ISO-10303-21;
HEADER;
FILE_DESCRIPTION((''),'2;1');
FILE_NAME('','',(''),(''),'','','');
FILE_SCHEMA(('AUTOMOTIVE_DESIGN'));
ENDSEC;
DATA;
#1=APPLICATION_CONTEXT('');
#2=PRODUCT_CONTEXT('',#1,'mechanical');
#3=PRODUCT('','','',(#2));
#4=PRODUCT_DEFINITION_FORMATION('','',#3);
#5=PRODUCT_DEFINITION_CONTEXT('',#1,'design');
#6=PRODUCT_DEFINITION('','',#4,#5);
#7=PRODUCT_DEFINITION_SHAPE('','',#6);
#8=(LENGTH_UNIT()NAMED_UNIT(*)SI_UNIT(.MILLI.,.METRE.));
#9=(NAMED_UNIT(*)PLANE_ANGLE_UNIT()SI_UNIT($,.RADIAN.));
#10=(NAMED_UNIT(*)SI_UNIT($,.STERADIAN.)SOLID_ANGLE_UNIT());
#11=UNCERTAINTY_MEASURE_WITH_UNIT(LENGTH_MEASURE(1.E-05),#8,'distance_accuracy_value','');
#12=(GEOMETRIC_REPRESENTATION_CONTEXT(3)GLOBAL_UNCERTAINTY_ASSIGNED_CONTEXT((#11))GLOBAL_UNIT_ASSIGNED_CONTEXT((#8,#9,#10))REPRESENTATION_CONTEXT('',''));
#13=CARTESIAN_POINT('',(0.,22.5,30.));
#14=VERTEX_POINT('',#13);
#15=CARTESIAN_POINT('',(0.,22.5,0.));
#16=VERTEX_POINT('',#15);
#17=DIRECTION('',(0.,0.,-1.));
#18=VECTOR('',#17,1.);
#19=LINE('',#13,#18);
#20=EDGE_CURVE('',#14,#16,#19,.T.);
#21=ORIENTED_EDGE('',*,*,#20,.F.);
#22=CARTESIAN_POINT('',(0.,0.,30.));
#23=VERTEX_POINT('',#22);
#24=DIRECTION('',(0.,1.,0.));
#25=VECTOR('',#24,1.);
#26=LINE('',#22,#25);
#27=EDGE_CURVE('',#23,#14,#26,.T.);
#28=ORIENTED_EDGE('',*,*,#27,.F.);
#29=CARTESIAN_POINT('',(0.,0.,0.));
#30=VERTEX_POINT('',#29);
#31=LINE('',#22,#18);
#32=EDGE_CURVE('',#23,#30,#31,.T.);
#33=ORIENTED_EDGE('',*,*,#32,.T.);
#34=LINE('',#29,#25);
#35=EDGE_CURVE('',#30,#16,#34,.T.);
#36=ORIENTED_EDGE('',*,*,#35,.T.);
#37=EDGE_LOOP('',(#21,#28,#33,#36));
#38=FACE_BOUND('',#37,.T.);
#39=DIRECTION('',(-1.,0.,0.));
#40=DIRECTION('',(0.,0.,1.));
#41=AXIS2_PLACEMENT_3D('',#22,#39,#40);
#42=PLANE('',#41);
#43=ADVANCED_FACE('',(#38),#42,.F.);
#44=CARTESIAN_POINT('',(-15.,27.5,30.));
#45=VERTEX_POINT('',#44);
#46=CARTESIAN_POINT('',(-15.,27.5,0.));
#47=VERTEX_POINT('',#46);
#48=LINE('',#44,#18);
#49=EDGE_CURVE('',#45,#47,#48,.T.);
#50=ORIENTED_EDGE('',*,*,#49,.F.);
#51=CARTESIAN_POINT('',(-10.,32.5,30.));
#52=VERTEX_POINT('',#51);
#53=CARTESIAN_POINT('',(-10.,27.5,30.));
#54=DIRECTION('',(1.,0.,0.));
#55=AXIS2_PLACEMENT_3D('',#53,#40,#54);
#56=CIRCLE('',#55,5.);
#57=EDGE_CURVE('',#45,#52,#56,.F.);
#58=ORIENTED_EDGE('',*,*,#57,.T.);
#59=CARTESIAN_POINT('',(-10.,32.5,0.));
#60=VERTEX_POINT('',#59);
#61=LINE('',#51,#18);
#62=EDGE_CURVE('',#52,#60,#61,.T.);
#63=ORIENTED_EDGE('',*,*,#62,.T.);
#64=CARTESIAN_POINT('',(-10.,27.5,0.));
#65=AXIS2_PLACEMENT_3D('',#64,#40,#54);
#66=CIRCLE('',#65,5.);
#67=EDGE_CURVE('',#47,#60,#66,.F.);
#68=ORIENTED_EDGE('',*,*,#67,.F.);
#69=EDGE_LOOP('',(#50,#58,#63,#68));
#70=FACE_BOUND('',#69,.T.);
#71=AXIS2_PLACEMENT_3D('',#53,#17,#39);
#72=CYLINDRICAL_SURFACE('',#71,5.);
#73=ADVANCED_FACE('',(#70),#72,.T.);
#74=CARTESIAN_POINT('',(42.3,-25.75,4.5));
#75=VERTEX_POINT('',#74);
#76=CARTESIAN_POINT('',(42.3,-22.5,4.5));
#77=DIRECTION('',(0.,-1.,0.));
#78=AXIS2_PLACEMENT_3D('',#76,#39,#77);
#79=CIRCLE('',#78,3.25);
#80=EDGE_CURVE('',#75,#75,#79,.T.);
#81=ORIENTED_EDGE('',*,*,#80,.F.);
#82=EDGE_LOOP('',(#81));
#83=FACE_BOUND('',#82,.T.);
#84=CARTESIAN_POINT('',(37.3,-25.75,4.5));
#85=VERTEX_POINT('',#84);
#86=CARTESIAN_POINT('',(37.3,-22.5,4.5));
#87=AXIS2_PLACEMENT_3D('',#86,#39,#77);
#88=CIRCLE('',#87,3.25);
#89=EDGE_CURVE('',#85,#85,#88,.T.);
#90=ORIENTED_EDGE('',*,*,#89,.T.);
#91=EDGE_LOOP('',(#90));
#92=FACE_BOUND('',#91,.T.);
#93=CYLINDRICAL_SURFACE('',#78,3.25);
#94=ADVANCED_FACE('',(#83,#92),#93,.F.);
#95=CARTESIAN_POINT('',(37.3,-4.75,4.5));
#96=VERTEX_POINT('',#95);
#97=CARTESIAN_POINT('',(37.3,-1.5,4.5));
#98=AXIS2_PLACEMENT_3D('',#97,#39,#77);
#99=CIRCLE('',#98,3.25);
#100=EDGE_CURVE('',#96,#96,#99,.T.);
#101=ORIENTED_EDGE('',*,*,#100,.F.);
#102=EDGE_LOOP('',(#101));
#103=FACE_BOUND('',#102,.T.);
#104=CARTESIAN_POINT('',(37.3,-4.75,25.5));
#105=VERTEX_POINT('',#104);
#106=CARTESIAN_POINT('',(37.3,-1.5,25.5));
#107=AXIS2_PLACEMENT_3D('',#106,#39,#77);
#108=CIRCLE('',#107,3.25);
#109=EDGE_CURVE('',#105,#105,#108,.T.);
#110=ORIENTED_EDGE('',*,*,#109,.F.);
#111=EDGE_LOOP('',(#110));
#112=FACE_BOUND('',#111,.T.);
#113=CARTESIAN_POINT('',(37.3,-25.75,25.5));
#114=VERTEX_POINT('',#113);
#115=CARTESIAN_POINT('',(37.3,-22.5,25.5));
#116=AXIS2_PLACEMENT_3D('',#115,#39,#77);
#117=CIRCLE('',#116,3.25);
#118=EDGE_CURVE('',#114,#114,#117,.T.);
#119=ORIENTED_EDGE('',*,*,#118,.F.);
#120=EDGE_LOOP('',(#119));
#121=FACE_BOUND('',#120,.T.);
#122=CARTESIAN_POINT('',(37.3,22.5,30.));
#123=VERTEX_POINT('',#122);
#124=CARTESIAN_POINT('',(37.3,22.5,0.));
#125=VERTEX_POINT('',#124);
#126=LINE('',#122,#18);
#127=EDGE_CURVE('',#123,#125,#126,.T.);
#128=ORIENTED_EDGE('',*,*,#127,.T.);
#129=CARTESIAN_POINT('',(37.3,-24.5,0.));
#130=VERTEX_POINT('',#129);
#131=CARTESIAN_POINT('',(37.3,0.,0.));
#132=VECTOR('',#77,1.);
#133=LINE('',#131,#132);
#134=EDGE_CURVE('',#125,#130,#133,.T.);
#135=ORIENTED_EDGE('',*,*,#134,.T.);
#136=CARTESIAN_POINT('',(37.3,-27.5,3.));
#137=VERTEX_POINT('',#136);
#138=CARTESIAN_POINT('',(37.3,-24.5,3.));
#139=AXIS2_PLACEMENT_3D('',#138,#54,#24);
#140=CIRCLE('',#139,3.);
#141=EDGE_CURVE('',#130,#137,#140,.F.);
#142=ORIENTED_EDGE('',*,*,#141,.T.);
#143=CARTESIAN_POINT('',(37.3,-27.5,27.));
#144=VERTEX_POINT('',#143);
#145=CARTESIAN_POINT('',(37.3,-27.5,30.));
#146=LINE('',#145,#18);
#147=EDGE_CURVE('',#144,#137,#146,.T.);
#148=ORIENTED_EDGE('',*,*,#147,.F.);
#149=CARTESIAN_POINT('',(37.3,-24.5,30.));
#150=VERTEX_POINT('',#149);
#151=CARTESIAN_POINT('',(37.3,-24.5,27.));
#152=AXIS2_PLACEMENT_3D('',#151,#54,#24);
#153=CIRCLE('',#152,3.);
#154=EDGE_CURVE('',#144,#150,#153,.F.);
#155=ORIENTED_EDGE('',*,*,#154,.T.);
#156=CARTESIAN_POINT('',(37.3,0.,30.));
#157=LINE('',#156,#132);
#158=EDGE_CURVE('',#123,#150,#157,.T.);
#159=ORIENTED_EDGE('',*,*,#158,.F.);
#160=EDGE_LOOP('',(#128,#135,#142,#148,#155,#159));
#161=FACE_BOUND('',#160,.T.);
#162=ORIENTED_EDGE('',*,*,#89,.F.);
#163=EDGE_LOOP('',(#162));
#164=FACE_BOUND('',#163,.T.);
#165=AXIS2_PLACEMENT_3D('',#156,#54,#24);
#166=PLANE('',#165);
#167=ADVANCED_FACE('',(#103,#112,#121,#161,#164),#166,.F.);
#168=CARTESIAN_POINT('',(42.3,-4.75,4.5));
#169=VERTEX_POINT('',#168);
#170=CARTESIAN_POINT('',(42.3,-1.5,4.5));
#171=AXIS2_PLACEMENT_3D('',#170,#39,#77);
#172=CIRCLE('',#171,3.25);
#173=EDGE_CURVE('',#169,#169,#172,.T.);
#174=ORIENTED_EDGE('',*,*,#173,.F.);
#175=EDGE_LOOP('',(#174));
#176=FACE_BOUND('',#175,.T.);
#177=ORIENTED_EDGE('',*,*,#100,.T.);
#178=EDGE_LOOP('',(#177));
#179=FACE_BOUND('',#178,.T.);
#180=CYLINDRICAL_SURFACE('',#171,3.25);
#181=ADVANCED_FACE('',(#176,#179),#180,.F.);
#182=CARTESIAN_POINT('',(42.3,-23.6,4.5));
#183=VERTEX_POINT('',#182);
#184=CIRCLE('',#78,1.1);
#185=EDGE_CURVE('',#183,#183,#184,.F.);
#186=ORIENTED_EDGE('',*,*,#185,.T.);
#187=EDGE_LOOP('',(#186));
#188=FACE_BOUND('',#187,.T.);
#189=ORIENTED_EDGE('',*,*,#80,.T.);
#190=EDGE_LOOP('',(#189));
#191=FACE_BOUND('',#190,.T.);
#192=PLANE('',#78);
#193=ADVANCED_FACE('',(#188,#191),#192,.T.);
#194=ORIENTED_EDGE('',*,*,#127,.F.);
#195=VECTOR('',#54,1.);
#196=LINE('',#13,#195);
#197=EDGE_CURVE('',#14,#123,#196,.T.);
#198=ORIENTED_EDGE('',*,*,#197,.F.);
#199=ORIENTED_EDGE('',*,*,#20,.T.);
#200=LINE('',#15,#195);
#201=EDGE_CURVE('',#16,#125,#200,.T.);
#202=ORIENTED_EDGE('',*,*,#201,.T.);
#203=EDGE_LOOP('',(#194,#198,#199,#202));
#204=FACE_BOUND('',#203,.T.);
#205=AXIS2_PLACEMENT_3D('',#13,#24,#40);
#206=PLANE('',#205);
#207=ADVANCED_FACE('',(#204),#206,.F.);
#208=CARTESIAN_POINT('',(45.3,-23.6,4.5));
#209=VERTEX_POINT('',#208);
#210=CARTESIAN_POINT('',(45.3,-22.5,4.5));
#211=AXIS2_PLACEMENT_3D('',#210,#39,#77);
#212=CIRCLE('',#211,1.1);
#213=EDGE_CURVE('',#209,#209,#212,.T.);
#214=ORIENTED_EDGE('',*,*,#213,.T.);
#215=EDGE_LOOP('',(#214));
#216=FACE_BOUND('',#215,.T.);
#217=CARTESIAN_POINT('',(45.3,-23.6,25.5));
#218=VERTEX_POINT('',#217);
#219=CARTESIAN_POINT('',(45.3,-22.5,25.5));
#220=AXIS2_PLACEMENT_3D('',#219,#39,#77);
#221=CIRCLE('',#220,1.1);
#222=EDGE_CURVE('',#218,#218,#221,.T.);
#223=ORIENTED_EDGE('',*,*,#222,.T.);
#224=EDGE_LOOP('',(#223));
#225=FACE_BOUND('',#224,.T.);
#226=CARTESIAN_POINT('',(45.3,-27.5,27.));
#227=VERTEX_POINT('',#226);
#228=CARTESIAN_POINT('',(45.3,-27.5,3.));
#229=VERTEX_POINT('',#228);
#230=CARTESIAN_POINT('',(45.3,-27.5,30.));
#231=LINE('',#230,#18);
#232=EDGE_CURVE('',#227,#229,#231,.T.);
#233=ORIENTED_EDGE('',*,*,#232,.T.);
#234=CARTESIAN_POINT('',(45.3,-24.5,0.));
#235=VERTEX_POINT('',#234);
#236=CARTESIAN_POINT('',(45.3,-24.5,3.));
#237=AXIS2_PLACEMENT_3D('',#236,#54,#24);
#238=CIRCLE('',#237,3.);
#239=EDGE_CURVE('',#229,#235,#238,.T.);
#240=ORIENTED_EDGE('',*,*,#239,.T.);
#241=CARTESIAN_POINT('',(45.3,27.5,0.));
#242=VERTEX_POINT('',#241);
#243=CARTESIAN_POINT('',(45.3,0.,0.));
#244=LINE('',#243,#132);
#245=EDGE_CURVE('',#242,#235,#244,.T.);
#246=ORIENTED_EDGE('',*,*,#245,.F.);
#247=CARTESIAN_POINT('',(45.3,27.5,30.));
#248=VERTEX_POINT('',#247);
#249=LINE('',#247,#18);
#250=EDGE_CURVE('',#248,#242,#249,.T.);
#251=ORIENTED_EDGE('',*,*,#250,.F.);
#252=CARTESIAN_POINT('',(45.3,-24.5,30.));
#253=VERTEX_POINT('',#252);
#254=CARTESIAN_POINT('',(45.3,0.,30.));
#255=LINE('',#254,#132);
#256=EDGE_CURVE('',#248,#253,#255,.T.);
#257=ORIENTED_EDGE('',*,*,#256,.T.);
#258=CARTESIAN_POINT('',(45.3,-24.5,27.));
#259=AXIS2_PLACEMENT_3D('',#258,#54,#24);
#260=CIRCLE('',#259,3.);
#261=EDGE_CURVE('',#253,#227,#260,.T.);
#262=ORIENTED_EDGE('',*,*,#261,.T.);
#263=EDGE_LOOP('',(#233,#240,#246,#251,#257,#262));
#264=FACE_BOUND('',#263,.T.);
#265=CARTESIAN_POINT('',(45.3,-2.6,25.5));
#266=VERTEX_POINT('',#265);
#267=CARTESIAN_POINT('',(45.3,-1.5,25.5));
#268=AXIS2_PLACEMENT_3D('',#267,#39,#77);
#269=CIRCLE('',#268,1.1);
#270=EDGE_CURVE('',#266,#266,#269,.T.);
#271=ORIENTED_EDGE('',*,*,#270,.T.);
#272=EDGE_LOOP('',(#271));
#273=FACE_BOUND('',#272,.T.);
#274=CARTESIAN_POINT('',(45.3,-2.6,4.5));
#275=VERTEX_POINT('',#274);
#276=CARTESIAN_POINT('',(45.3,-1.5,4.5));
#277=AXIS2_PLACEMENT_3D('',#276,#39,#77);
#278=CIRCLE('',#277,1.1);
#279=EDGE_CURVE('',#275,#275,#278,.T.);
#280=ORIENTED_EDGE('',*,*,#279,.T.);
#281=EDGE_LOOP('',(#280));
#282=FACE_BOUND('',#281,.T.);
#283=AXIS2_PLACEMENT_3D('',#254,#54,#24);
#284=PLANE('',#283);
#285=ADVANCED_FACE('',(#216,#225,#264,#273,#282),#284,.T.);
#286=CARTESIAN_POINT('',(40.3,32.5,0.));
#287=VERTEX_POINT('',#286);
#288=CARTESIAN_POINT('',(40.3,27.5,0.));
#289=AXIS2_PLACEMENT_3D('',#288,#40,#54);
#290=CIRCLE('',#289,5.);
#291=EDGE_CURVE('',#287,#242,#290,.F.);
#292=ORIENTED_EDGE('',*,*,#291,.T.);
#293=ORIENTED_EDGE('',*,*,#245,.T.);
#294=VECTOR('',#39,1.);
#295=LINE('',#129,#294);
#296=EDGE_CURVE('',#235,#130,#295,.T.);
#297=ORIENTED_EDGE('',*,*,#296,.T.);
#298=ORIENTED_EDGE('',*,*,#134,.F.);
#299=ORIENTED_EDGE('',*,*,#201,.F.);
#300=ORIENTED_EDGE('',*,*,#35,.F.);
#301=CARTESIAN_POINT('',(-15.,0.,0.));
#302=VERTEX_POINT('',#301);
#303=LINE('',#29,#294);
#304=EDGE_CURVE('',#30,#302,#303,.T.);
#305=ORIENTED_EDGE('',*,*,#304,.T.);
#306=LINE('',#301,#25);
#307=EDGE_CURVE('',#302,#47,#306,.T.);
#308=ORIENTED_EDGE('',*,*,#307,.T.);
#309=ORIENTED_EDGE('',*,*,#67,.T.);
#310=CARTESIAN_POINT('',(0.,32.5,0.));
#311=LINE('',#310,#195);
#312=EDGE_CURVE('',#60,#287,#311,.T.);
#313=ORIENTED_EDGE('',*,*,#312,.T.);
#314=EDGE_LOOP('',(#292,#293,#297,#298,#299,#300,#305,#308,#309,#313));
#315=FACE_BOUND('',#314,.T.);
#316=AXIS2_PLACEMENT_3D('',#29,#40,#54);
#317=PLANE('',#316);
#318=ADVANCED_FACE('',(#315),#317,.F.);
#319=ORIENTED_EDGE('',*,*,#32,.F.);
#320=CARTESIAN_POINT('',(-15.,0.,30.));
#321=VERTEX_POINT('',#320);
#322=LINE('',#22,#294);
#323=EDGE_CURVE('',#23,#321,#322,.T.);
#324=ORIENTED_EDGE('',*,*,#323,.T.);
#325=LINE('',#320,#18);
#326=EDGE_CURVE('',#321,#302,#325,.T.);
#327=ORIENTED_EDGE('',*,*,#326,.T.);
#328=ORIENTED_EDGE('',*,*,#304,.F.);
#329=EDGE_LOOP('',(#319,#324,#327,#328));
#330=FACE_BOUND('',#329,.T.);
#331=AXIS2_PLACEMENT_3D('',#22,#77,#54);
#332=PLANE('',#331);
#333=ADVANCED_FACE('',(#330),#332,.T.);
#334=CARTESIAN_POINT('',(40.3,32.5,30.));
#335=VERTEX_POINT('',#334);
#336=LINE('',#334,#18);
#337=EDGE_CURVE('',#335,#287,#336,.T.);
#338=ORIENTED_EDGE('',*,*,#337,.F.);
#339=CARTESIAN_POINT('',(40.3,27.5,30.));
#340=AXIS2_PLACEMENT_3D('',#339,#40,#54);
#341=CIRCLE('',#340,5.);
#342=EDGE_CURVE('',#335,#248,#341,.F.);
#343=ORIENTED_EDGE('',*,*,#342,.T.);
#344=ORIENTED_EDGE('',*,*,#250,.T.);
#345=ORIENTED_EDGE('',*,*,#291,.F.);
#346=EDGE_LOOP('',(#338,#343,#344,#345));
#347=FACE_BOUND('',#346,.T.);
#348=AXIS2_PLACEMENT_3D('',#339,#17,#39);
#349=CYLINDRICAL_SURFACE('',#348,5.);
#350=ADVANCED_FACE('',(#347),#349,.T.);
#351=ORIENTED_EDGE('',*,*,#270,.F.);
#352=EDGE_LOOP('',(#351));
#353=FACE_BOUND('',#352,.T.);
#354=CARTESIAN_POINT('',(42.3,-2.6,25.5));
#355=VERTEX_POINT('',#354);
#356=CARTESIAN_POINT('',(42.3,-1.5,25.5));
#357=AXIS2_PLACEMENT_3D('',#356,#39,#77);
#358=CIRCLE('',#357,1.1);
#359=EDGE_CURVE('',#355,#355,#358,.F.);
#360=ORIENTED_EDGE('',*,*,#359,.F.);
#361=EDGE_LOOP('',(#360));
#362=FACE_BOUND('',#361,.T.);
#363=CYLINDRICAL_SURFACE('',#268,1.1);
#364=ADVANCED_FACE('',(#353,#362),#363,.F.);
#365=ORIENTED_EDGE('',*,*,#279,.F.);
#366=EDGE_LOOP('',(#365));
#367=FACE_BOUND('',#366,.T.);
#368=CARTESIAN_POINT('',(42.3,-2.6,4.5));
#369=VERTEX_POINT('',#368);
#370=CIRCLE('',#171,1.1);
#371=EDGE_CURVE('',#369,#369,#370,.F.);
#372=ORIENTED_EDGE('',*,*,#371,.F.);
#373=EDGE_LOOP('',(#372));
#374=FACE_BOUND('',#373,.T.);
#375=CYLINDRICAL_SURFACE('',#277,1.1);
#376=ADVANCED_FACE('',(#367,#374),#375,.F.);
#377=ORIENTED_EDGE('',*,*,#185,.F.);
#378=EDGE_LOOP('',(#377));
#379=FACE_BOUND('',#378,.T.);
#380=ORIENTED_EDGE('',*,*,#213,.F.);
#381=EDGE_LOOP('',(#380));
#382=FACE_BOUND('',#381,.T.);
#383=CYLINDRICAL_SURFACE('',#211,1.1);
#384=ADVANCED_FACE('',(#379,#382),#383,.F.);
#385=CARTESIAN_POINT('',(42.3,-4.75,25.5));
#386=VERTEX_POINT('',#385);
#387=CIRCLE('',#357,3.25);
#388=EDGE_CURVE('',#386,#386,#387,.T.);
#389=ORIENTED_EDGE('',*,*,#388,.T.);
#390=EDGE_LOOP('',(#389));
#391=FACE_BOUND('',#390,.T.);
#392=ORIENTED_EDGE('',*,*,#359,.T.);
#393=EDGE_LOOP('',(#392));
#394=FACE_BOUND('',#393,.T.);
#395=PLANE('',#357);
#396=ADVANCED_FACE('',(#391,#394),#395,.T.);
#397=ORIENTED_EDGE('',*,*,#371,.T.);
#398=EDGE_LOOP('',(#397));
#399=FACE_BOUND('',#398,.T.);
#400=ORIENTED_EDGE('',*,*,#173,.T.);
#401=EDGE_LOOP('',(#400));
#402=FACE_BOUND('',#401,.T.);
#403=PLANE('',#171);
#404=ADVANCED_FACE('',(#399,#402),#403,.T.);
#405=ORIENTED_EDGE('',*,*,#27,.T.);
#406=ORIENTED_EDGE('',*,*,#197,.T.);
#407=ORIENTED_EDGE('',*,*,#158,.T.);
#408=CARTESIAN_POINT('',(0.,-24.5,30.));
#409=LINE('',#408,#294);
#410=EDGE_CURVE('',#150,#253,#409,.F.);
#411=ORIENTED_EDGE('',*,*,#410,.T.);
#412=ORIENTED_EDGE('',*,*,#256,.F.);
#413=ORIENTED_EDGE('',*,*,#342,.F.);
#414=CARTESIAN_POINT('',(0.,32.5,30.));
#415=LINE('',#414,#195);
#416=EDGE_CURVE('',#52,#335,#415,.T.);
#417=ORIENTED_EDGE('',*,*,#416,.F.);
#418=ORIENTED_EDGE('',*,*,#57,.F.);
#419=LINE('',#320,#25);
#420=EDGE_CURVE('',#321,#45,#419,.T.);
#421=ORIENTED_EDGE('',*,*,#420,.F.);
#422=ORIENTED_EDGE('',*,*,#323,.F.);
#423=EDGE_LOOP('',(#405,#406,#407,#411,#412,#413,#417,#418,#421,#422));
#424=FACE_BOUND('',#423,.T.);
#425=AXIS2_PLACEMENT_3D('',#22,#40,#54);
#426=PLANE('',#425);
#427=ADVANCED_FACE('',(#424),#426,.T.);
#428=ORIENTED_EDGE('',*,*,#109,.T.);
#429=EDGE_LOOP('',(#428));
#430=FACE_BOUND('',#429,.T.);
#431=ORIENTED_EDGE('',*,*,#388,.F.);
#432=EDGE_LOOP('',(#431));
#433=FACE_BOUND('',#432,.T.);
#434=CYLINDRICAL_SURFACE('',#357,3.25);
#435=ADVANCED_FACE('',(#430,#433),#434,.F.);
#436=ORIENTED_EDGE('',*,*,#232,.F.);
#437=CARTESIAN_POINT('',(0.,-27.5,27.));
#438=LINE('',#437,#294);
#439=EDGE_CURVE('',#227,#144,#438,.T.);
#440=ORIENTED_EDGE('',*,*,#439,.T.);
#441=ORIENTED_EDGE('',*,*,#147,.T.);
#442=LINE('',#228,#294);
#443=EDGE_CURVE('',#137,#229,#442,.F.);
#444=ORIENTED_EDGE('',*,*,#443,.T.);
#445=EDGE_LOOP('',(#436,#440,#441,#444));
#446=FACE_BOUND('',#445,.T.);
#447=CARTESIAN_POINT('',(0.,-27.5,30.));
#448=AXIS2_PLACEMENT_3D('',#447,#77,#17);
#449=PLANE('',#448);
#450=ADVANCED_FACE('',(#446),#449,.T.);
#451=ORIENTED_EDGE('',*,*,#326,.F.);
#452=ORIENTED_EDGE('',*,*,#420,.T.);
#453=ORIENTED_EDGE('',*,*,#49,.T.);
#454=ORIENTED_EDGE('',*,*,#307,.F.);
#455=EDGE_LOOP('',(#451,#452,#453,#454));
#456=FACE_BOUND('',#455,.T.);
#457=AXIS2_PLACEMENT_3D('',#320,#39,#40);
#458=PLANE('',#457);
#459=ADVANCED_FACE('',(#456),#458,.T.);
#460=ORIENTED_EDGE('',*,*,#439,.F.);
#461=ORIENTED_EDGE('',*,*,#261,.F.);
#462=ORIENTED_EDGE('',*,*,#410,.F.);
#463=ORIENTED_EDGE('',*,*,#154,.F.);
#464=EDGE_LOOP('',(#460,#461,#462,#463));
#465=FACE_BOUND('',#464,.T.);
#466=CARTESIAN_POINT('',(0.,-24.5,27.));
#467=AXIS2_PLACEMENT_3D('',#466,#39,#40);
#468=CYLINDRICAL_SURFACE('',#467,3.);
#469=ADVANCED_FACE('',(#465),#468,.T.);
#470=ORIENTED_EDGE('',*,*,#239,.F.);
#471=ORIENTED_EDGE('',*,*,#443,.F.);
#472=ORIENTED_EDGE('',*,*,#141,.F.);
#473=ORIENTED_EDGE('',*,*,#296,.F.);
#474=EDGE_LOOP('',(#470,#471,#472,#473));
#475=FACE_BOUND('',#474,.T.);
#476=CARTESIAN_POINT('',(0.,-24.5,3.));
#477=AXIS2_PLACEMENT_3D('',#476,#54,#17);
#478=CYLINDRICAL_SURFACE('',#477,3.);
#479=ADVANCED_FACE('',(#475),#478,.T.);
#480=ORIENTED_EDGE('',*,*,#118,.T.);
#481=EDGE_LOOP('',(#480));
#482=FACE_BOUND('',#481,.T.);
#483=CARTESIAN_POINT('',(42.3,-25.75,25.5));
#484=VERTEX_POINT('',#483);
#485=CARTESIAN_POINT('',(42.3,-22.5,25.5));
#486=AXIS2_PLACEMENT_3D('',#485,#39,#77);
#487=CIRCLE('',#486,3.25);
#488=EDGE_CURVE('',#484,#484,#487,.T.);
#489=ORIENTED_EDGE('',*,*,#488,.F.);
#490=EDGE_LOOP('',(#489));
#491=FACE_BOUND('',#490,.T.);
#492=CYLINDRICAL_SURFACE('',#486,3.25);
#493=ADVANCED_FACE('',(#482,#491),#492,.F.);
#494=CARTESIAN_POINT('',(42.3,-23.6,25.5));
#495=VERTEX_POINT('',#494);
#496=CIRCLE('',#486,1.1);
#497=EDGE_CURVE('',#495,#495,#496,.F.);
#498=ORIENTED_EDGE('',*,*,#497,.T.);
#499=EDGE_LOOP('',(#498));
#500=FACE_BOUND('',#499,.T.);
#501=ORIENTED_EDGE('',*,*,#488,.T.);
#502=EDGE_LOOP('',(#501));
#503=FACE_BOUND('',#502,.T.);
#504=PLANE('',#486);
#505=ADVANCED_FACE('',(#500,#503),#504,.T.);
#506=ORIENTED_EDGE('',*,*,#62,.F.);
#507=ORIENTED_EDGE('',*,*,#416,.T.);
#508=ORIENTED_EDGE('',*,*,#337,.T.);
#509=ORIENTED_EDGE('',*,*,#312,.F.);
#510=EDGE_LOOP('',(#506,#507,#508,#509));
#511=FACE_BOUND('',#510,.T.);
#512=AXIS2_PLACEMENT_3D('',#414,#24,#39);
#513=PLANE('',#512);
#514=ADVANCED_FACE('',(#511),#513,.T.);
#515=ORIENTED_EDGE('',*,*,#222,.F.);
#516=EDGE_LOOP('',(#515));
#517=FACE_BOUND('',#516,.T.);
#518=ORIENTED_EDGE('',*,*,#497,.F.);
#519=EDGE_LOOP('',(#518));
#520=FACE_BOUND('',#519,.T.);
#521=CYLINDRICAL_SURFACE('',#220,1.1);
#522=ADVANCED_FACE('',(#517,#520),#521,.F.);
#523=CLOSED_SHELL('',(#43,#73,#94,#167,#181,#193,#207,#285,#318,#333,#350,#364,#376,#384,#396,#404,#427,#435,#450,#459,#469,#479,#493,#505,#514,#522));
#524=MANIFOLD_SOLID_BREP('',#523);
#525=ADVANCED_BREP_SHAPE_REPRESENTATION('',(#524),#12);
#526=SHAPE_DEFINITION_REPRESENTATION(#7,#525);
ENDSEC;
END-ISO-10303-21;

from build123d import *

# Parameters (mm, degrees)
EXTRUDE_1_DEPTH     = 30
SKETCH_2_R          = 1.1
CUT_EXTRUDE_1_DEPTH = 69.494817322
FILLET_1_R          = 3
SKETCH_3_R          = 3.25
CUT_EXTRUDE_2_DEPTH = 5


with BuildPart() as part:
    # ｽｹｯﾁ1 → ﾎﾞｽ - 押し出し1 (new body)
    with BuildSketch(Plane.XY):
        with BuildLine():
            ThreePointArc((-15, 27.5), (-13.535533906, 31.035533906), (-10, 32.5))
            Line((-10, 32.5), (40.3, 32.5))
            ThreePointArc((40.3, 32.5), (43.835533906, 31.035533906), (45.3, 27.5))
            Line((45.3, 27.5), (45.3, -27.5))
            Line((45.3, -27.5), (37.3, -27.5))
            Line((37.3, -27.5), (37.3, 22.5))
            Line((37.3, 22.5), (0, 22.5))
            Line((0, 22.5), (0, 0))
            Line((0, 0), (-15, 0))
            Line((-15, 0), (-15, 27.5))
        make_face()
    extrude(amount=EXTRUDE_1_DEPTH)

    # ｽｹｯﾁ2 → ｶｯﾄ - 押し出し1 (cut, through all)
    with BuildSketch(Plane.ZY.offset(-37.3)):
        with Locations(Location((4.5, -22.5, 0), (0, 0, 270))):
            Circle(SKETCH_2_R)
        with Locations(Location((25.5, -22.5, 0), (0, 0, 270))):
            Circle(SKETCH_2_R)
        with Locations(Location((4.5, -1.5, 0), (0, 0, 270))):
            Circle(SKETCH_2_R)
        with Locations(Location((25.5, -1.5, 0), (0, 0, 270))):
            Circle(SKETCH_2_R)
    extrude(amount=-CUT_EXTRUDE_1_DEPTH, mode=Mode.SUBTRACT)

    # ﾌｨﾚｯﾄ1
    fillet_1_edges = [part.edges().sort_by_distance(p)[0] for p in [
        (41.3, -27.5, 0),
        (41.3, -27.5, 30),
    ]]
    fillet(fillet_1_edges, radius=FILLET_1_R)

    # ｽｹｯﾁ3 → ｶｯﾄ - 押し出し2 (cut)
    with BuildSketch(Plane.ZY.offset(-37.3)):
        with Locations(Location((4.5, -22.5, 0), (0, 0, 270))):
            Circle(SKETCH_3_R)
        with Locations(Location((25.5, -22.5, 0), (0, 0, 270))):
            Circle(SKETCH_3_R)
        with Locations(Location((4.5, -1.5, 0), (0, 0, 270))):
            Circle(SKETCH_3_R)
        with Locations(Location((25.5, -1.5, 0), (0, 0, 270))):
            Circle(SKETCH_3_R)
    extrude(amount=-CUT_EXTRUDE_2_DEPTH, mode=Mode.SUBTRACT)


solid = part.part
